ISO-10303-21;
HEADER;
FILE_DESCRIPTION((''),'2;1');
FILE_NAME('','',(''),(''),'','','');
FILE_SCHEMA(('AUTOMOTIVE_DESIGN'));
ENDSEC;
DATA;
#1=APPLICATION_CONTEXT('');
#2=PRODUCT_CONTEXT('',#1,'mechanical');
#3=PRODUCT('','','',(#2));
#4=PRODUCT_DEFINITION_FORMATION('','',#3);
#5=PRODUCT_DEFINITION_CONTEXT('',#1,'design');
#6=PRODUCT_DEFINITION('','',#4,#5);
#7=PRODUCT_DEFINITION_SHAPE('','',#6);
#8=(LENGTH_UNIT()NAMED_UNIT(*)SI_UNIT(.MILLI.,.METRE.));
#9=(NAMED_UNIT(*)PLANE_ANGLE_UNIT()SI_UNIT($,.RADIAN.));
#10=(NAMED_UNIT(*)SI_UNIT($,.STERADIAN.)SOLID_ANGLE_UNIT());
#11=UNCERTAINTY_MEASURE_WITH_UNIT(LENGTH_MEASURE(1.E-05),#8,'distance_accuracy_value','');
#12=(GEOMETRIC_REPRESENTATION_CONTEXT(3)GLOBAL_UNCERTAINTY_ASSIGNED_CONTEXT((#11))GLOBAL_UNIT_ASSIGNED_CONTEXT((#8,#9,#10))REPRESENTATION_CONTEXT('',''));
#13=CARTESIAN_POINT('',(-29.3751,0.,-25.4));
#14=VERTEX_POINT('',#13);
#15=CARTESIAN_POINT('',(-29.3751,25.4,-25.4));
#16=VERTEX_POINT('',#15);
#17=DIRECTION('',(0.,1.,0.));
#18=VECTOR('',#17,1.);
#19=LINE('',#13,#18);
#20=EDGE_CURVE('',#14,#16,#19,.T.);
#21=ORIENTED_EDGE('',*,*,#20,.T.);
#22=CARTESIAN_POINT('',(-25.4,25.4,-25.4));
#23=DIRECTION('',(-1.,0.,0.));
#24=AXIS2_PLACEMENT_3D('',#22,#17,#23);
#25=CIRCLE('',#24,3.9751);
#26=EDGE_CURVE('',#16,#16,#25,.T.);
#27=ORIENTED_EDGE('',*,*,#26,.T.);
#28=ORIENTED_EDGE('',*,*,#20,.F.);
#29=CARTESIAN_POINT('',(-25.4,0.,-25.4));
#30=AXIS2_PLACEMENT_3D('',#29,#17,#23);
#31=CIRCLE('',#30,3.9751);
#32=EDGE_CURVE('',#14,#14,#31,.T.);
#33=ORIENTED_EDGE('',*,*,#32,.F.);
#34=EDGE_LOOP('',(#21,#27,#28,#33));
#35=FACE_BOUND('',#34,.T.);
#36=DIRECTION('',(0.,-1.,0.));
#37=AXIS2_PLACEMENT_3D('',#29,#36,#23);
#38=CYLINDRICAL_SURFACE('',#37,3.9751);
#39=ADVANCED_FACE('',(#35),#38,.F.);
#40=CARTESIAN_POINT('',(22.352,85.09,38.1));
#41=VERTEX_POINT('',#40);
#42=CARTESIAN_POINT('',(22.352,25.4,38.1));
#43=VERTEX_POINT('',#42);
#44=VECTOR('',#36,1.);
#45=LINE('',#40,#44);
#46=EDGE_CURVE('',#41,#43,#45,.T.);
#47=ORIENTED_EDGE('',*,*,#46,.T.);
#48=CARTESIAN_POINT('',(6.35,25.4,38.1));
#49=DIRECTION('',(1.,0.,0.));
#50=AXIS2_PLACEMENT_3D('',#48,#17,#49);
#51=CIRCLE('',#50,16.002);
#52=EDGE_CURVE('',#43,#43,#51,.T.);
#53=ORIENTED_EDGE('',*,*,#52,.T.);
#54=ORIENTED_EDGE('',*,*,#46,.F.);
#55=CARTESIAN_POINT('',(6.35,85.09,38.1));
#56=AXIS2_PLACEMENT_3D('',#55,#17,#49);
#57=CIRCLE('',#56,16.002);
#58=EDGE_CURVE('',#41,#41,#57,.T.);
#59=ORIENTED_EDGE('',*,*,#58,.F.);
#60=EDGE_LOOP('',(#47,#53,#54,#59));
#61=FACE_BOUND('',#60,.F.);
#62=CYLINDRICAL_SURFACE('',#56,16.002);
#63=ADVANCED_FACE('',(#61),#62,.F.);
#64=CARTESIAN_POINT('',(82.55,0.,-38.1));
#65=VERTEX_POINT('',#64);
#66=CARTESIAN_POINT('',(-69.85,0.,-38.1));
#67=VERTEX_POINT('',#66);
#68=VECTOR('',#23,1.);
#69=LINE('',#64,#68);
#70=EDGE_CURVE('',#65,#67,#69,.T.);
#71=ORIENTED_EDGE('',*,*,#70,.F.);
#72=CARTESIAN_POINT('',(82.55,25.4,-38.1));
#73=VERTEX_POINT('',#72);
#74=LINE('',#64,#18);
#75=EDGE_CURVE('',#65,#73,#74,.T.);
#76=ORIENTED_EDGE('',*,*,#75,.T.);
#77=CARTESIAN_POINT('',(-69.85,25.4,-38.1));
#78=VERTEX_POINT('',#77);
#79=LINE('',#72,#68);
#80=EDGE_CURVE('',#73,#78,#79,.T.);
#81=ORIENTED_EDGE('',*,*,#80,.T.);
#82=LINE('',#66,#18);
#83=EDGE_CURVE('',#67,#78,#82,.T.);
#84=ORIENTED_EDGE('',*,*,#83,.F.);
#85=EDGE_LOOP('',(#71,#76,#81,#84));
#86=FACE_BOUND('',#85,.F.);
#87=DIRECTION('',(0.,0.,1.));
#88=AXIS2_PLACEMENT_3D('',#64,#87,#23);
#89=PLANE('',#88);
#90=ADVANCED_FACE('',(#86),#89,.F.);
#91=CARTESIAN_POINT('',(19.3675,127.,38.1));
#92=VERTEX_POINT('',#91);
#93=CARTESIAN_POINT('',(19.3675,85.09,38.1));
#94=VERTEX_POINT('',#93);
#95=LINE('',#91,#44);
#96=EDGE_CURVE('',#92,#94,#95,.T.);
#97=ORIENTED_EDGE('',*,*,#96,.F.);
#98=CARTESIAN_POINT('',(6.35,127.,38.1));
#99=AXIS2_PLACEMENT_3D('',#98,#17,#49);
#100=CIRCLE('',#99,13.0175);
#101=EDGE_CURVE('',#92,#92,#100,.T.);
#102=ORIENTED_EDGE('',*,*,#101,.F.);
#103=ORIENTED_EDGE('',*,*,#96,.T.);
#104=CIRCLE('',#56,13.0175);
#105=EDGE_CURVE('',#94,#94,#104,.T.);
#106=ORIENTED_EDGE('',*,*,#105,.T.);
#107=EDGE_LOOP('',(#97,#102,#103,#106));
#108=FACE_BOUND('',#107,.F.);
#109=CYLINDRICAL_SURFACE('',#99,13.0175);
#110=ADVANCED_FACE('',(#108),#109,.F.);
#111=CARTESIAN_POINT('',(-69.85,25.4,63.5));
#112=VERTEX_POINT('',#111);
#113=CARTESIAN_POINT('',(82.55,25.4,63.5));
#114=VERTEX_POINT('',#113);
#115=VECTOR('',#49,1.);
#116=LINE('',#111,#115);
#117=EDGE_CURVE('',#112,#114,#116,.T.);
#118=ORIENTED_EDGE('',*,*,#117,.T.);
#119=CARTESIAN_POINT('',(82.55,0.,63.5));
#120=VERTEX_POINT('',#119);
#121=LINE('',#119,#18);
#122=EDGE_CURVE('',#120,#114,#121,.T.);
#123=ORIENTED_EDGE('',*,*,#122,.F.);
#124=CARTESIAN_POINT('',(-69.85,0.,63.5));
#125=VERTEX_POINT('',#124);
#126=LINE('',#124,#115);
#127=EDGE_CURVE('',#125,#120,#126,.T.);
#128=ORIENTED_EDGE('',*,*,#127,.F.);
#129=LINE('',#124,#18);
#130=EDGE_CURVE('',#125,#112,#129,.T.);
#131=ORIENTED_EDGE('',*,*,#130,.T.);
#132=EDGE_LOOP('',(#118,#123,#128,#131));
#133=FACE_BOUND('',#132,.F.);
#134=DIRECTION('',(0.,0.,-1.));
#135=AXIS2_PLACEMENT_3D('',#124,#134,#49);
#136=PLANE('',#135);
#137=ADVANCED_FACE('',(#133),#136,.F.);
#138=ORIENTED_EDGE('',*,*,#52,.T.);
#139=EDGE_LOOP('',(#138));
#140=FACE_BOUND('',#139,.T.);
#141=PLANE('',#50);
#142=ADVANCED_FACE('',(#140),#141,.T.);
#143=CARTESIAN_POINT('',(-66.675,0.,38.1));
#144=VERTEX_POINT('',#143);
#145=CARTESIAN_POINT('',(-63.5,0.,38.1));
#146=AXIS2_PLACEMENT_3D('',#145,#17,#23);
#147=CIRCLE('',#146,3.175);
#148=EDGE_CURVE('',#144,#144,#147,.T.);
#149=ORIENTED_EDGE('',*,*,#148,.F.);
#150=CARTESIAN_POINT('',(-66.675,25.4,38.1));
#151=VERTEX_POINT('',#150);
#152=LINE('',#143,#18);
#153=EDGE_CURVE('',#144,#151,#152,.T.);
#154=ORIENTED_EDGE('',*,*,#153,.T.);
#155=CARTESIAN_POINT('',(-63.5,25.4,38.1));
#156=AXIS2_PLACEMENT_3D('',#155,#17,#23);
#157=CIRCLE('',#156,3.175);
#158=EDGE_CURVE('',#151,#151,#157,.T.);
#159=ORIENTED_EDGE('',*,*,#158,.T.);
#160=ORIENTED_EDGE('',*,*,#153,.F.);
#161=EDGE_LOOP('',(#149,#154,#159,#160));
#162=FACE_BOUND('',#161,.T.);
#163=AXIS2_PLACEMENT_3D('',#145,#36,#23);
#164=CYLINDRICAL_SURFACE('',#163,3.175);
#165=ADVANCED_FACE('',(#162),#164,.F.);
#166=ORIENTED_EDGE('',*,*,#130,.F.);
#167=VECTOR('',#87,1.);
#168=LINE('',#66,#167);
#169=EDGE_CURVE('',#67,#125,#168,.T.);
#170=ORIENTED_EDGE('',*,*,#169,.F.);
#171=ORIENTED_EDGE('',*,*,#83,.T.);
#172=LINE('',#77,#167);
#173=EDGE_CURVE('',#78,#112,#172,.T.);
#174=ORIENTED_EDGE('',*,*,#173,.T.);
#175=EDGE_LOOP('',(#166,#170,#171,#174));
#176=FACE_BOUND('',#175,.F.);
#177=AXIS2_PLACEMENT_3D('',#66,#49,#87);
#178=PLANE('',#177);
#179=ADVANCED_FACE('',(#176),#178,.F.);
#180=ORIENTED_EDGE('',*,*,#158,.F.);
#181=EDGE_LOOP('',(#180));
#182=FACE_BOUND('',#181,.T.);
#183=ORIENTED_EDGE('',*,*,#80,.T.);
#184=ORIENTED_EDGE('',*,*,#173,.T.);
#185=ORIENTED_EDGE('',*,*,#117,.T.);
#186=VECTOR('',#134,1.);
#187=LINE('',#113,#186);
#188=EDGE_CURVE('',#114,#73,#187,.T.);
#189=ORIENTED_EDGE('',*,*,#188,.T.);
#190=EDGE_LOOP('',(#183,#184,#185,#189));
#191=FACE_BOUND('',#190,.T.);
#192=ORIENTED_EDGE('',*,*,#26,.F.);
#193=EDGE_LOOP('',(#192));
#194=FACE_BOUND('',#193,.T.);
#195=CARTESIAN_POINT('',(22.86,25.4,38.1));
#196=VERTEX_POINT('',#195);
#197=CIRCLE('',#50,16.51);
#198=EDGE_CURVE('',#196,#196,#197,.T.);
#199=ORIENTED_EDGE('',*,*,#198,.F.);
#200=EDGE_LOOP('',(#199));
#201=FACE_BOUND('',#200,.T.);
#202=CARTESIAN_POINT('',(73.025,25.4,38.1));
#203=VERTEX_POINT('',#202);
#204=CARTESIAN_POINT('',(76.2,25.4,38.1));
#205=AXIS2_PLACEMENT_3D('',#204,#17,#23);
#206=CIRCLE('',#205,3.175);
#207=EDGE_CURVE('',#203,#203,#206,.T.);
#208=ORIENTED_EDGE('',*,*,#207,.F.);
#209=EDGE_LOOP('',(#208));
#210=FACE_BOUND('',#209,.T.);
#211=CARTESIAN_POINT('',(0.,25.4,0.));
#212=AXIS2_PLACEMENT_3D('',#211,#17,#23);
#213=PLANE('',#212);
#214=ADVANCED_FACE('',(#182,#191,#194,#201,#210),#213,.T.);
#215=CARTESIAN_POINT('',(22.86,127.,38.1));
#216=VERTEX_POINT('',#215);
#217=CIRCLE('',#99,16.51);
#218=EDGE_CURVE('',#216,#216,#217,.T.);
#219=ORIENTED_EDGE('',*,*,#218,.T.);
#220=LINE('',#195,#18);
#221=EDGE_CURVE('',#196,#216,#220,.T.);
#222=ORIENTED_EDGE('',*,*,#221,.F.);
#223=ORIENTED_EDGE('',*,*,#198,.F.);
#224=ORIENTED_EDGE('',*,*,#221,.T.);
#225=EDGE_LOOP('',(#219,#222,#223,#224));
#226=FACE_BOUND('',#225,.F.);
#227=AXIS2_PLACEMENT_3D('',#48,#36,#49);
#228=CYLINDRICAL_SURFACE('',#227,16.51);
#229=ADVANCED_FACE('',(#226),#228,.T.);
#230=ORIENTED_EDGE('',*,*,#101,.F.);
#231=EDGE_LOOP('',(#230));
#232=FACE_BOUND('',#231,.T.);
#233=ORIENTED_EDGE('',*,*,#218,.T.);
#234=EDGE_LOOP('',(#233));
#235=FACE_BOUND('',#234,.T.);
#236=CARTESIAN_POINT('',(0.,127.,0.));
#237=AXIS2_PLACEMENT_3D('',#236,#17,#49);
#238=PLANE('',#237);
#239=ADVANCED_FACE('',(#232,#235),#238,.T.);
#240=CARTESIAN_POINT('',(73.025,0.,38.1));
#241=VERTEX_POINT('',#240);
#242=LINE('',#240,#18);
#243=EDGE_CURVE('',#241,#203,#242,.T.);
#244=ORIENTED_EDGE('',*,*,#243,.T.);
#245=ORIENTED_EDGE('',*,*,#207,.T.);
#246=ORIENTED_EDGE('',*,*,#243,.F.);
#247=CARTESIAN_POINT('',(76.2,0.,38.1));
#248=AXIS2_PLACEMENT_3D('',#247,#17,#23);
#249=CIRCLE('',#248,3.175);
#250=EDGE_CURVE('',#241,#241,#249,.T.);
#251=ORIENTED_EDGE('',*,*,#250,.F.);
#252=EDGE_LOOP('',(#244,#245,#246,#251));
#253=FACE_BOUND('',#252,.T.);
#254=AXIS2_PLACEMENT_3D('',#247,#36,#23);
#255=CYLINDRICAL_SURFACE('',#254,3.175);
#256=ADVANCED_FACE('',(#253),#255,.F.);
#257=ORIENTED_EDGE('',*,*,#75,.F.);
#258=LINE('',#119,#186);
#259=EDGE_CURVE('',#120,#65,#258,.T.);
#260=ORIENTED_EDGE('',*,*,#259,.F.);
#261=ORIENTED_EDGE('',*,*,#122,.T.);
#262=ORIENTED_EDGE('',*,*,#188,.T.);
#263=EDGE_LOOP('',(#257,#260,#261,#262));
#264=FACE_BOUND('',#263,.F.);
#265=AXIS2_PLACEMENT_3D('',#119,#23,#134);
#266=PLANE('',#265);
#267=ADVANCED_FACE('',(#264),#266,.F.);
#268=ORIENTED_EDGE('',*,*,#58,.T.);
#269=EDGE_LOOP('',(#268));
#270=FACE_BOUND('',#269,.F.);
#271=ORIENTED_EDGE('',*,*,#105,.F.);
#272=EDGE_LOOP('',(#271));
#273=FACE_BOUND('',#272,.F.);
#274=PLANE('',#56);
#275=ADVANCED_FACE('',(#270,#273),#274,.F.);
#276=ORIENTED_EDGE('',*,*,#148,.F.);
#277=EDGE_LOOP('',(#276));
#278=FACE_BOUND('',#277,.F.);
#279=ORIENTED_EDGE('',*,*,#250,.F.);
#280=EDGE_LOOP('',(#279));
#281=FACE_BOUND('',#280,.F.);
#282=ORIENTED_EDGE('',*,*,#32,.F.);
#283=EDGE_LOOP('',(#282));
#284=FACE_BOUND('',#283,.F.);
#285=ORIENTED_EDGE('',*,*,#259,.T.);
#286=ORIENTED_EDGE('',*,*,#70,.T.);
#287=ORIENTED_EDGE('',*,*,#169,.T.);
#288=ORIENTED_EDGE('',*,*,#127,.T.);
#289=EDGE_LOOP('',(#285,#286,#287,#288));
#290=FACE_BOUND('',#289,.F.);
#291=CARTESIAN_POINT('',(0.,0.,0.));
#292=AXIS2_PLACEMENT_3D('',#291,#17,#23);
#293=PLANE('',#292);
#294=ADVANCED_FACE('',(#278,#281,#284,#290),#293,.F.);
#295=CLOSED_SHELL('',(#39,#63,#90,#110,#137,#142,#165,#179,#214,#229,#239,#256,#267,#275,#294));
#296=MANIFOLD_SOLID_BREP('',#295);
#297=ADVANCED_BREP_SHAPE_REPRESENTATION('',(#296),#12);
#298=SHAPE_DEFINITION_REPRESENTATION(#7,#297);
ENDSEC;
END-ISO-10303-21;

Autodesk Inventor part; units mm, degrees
ref_plane "YZ Plane" through (0, 0, 0) normal (1, 0, 0) x (0, 1, 0)
ref_plane "XZ Plane" through (0, 0, 0) normal (0, 1, 0) x (-1, 0, 0)
ref_plane "XY Plane" through (0, 0, 0) normal (0, 0, 1) x (1, 0, 0)
sketch "Sketch1" plane through (0, 0, 0) normal (0, 1, 0) x (-1, 0, 0)
  line L0 (69.85, 63.5) -> (-82.55, 63.5)
  line L1 (-82.55, 63.5) -> (-82.55, -38.1)
  line L2 (-82.55, -38.1) -> (69.85, -38.1)
  line L3 (69.85, -38.1) -> (69.85, 63.5)
  circle A0 centre (25.4, -25.4) radius 3.9751
  circle A1 centre (63.5, 38.1) radius 3.175
  circle A2 centre (-76.2, 38.1) radius 3.175
  point P0 (0, 0)
  dimension "d0" = 101.6
  dimension "d1" = 152.4
  dimension "d3" = 38.1
  dimension "d4" = 7.9502
  dimension "d16" = 6.35
  dimension "d17" = 6.35
  dimension "d18" = 25.4
  dimension "d20" = 6.35
  dimension "d21" = 6.35
  dimension "d22" = 44.45
  dimension "d24" = 25.4
  dimension "d26" = 25.4
extrude "Extrusion1" add sketch "Sketch1" along normal blind 25.4
sketch "Sketch2" plane through (0, 25.4, 0) normal (0, 1, 0) x (1, 0, 0)
  circle A0 centre (6.35, -38.1) radius 16.51
  circle A1 centre (76.2, -38.1) radius 3.175 projected
  line L0 (82.55, -63.5) -> (82.55, 38.1) projected
  point P0 (0, 0)
  dimension "d7" = 33.02
  dimension "d25" = 76.2
extrude "Extrusion2" add sketch "Sketch2" along normal blind 101.6 contours A0
sketch "Sketch3" plane through (6.35, 127, 38.1) normal (0, 1, 0) x (1, 0, 0)
  circle A0 centre (0, 0) radius 13.0175
  point P0 (-6.35, 38.1)
  dimension "d10" = 26.035
extrude "Extrusion3" cut sketch "Sketch3" against normal blind 41.91
sketch "Sketch4" plane through (6.35, 85.09, 38.1) normal (0, 1, 0) x (1, 0, 0)
  circle A0 centre (0, 0) radius 16.51 projected
  circle A1 centre (0, 0) radius 16.002
  point P0 (-6.35, 38.1)
  dimension "d13" = 32.004
extrude "Extrusion4" cut sketch "Sketch4" against normal blind 59.69 contours A1
properties part number "Bottom Plate For Side to Side Motion"
